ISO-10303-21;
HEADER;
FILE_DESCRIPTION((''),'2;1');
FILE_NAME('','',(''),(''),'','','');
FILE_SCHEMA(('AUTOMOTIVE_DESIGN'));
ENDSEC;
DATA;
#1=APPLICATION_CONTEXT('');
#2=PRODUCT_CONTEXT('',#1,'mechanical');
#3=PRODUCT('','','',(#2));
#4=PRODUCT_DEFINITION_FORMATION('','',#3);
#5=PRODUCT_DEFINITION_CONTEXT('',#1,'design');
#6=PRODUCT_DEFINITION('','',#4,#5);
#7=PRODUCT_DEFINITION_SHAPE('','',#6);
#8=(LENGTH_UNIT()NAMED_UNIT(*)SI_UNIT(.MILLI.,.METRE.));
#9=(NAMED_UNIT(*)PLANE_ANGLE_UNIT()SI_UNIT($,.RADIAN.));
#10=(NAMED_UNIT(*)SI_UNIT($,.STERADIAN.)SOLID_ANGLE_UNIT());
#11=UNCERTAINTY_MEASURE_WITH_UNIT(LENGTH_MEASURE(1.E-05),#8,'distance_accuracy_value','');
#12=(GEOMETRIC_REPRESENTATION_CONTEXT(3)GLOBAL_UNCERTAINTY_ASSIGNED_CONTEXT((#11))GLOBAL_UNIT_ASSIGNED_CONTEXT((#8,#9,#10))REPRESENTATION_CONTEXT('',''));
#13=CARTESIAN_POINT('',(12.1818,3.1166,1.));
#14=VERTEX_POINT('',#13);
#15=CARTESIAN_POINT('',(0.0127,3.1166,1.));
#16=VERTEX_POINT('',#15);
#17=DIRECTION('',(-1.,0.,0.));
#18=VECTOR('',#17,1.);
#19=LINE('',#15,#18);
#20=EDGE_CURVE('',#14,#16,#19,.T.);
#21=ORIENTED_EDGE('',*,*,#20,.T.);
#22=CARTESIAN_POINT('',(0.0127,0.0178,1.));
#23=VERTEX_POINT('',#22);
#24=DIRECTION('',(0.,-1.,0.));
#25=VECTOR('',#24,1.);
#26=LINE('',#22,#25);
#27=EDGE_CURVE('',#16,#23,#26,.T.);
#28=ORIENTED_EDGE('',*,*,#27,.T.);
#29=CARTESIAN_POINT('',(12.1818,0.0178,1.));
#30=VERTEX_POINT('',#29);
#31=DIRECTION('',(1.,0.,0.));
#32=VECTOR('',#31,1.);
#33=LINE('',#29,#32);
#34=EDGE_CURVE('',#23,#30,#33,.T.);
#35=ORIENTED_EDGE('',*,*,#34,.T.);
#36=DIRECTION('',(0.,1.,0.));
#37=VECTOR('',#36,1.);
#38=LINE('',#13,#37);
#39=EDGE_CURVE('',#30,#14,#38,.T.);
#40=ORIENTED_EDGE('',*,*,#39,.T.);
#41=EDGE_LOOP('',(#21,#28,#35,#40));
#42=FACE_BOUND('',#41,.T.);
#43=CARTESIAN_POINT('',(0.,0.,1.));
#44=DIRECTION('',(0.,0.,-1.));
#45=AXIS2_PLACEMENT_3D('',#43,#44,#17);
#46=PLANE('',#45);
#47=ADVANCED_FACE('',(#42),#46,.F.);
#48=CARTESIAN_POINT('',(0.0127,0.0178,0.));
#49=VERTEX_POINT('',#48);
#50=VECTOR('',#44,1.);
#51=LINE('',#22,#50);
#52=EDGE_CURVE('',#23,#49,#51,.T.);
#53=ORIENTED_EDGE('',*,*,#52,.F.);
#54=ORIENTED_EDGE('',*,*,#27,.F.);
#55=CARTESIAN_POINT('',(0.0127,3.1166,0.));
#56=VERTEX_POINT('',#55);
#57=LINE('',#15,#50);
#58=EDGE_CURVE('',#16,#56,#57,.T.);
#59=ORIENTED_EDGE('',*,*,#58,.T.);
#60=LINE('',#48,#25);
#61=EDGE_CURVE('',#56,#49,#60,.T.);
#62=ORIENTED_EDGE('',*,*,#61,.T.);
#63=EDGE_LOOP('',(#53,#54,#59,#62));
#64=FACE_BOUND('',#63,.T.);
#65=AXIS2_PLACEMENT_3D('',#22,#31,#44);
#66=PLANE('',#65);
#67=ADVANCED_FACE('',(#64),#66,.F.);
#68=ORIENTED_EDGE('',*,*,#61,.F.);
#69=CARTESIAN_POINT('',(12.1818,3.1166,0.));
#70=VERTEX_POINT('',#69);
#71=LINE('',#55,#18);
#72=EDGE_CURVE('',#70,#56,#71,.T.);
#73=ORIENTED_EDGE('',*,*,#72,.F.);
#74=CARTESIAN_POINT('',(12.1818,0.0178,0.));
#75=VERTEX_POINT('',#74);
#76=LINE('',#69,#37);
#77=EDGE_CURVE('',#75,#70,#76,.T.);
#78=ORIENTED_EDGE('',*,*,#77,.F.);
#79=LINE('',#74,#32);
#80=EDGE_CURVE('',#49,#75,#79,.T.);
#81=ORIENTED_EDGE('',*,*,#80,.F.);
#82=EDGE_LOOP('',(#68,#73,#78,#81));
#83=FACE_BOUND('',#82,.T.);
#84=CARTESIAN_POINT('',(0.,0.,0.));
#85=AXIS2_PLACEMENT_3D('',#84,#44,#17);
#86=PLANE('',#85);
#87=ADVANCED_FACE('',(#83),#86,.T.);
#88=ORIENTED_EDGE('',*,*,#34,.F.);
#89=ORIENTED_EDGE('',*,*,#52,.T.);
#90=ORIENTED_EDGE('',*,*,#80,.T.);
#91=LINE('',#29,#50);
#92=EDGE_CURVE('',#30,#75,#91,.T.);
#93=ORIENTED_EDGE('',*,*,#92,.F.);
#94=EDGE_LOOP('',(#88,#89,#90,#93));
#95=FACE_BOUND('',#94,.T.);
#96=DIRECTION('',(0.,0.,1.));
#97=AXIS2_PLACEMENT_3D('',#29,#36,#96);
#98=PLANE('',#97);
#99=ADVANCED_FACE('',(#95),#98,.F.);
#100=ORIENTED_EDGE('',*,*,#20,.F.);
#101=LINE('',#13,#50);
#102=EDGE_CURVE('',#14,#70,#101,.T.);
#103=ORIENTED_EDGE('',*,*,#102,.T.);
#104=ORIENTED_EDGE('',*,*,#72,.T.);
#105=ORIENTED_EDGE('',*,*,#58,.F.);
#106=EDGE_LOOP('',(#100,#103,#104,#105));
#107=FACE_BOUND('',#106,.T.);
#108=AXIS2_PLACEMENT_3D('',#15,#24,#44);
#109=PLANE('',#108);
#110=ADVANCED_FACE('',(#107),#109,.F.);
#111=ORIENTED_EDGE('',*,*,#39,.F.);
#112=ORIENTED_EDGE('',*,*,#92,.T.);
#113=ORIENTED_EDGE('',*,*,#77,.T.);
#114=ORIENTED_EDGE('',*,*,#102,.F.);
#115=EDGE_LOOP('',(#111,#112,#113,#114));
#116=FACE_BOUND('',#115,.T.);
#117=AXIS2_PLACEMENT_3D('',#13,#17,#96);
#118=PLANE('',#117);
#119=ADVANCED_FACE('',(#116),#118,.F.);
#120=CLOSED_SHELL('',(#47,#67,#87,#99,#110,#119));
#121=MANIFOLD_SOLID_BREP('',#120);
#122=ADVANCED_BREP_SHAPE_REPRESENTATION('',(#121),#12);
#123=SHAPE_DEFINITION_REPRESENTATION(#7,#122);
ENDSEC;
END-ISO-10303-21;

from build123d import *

# Parameters (mm, degrees)
SKETCH1_W               = 12.1691
SKETCH1_H               = 3.0988
COMPONENT_OUTLINE_DEPTH = 1


with BuildPart() as part:
    # Sketch1 → Component_Outline (new body)
    with BuildSketch(Plane.XY):
        with Locations((6.09725, 1.5672)):
            Rectangle(SKETCH1_W, SKETCH1_H)
    extrude(amount=COMPONENT_OUTLINE_DEPTH)


solid = part.part
